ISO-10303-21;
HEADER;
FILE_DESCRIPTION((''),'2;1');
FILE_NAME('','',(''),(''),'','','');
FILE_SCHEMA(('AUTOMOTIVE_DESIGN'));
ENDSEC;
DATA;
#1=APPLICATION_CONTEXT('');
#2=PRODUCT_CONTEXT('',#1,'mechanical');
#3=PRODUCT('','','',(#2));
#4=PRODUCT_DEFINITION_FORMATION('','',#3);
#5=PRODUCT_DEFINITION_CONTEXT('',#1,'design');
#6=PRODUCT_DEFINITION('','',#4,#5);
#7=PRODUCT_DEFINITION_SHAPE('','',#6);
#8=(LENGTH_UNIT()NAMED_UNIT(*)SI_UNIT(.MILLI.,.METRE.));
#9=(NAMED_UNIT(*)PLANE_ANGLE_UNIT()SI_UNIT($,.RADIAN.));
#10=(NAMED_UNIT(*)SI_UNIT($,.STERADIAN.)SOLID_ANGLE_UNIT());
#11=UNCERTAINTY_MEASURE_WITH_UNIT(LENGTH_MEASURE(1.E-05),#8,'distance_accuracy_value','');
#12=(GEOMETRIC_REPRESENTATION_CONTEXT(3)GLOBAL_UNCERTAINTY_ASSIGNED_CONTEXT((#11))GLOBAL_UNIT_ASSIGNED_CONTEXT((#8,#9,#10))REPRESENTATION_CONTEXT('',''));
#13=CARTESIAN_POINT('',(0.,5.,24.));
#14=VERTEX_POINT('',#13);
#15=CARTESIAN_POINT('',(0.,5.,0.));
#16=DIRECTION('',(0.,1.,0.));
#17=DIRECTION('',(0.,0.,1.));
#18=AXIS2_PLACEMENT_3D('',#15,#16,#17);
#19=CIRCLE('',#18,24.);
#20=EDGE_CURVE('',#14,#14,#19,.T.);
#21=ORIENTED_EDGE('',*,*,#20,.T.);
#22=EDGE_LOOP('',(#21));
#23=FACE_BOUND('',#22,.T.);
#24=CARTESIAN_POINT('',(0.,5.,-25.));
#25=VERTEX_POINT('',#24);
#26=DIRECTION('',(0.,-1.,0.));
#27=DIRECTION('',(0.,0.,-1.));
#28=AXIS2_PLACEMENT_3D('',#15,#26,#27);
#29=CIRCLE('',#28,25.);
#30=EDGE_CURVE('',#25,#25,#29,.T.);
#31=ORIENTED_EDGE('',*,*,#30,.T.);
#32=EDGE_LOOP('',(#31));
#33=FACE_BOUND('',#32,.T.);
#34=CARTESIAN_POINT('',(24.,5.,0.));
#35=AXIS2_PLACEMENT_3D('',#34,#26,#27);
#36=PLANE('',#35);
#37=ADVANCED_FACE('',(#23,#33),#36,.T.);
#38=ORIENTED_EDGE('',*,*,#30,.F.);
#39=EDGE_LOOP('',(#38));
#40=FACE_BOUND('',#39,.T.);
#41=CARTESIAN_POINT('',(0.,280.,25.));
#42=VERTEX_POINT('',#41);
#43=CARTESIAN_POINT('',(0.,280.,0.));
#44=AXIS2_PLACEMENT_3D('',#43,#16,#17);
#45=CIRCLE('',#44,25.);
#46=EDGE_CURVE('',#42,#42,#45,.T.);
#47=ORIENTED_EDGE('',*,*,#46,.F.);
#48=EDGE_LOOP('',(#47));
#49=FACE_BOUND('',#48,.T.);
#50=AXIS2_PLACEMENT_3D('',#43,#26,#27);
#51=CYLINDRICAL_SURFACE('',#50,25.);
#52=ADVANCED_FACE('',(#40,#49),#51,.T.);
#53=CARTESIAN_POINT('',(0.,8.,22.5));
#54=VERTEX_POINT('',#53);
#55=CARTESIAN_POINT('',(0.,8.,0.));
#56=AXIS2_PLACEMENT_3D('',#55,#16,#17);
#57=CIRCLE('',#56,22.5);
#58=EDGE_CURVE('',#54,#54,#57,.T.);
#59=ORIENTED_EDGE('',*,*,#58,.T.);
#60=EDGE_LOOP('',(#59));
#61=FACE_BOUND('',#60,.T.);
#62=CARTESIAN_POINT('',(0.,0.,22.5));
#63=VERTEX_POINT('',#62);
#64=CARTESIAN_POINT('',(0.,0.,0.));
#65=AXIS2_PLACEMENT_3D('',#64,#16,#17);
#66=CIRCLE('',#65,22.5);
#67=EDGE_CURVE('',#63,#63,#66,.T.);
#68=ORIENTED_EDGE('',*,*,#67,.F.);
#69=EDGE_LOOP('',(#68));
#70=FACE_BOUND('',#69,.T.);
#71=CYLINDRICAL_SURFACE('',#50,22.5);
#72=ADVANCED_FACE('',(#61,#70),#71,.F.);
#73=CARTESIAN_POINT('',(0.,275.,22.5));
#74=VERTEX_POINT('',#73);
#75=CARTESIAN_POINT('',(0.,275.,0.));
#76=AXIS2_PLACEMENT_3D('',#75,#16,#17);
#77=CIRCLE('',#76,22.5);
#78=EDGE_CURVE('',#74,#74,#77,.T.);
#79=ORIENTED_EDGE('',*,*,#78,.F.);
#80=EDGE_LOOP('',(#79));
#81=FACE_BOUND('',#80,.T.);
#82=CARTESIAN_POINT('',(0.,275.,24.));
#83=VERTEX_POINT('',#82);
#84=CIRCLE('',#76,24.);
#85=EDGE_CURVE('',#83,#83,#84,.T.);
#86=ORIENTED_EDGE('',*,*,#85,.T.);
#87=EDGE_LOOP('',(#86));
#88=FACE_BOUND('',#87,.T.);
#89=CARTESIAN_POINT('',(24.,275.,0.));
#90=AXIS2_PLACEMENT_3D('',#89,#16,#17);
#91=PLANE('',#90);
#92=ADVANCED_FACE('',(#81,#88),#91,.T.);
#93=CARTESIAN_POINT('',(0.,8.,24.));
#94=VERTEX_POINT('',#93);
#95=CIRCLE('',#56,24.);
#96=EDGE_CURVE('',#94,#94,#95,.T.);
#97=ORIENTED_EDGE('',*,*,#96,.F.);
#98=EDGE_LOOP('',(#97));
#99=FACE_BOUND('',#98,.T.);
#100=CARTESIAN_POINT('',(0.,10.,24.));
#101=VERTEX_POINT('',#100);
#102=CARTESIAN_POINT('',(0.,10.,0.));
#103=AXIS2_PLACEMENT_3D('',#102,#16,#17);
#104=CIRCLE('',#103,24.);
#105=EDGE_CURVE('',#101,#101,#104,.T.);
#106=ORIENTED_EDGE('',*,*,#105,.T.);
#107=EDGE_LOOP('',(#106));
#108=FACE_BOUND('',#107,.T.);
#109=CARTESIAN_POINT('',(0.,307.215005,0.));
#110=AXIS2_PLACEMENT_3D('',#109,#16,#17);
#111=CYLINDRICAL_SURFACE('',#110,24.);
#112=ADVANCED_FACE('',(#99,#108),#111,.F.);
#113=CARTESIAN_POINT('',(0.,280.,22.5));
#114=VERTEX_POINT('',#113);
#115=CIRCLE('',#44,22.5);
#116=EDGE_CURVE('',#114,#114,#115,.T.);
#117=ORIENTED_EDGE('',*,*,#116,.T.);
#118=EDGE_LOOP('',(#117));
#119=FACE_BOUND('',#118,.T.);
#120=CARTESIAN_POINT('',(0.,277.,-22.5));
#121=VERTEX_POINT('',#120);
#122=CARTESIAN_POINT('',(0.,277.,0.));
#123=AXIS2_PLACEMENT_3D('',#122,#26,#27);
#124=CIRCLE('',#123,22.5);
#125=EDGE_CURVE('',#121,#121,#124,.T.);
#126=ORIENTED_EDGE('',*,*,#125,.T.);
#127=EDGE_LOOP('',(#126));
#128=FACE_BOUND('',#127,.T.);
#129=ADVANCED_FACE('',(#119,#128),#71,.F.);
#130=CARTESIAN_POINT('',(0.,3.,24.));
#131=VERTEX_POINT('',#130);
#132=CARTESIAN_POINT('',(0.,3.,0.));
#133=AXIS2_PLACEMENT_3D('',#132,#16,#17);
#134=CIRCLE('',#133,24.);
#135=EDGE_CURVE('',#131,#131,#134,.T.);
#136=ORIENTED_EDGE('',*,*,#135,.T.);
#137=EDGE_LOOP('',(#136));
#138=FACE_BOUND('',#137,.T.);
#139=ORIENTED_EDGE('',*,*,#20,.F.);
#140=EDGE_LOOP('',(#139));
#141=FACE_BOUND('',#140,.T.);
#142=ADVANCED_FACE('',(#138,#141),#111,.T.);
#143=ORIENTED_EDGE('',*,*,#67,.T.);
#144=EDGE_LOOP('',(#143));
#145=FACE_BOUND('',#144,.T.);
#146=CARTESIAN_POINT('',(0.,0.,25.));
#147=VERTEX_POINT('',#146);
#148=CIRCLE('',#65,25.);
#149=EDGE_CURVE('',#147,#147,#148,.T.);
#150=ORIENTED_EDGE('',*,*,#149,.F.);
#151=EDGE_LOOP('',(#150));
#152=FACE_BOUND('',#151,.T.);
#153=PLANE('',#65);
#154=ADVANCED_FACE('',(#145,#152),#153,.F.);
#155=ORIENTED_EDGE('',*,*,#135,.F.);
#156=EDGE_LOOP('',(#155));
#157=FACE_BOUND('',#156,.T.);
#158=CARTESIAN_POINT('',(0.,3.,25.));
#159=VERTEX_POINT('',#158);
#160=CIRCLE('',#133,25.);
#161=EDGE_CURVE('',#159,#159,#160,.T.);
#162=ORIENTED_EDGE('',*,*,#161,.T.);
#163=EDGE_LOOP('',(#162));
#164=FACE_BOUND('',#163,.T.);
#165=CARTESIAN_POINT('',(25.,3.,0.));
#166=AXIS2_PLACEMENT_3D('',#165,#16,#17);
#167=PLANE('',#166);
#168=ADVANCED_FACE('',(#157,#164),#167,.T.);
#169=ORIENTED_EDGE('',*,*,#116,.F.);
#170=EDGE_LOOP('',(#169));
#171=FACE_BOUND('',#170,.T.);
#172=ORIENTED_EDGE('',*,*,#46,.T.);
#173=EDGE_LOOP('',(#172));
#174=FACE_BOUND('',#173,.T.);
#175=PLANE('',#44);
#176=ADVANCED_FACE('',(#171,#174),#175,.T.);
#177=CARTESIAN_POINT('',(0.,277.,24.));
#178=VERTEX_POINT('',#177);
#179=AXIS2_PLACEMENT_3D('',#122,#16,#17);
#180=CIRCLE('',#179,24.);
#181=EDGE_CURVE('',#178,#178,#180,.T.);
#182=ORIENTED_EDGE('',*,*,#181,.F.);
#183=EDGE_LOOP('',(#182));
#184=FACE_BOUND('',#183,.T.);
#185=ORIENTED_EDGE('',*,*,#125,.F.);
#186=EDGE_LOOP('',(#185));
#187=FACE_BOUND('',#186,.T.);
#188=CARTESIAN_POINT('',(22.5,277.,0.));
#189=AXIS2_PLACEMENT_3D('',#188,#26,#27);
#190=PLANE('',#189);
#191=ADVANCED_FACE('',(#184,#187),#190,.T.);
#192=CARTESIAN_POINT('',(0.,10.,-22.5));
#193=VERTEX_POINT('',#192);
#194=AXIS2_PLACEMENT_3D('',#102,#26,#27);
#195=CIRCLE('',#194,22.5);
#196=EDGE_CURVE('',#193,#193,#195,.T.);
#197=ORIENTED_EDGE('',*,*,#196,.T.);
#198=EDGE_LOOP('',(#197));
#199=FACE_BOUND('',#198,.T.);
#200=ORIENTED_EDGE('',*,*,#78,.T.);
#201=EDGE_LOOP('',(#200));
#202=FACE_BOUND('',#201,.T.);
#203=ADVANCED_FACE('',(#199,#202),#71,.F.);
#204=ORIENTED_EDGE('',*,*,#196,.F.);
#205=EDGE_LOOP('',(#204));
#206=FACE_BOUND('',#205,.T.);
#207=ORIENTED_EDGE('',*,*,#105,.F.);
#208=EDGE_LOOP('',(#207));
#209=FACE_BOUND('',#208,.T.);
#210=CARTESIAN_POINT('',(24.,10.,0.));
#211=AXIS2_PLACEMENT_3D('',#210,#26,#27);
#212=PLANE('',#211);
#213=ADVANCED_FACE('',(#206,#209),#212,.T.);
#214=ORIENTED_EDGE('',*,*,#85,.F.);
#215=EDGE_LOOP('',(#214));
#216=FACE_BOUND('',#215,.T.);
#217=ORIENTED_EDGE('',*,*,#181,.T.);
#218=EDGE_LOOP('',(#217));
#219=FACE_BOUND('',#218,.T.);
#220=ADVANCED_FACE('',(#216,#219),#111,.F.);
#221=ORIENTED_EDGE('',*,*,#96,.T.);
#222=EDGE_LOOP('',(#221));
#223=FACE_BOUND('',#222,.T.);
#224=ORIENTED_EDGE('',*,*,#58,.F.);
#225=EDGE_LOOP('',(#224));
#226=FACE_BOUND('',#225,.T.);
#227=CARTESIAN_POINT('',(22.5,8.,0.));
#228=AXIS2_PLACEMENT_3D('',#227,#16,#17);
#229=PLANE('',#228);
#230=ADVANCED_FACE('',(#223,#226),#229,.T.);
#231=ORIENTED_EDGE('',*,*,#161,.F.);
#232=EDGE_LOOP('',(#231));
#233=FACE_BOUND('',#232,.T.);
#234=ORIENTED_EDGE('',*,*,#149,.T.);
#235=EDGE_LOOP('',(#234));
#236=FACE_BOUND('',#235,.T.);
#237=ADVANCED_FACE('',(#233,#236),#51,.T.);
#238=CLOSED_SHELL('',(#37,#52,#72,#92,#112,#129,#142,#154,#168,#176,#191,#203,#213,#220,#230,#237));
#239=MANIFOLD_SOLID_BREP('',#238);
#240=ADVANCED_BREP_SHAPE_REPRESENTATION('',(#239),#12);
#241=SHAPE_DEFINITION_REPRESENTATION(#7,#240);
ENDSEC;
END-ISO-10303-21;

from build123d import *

# Parameters (mm, degrees)
SKETCH1_R           = 25
SKETCH1_R_2         = 22.5
BOSS_EXTRUDE1_DEPTH = 280


with BuildPart() as part:
    # Sketch1 → Boss-Extrude1 (new body)
    with BuildSketch(Plane(origin=(0, 0, 0), x_dir=(1, 0, 0), z_dir=(0, 1, 0))):
        Circle(SKETCH1_R)
        Circle(SKETCH1_R_2, mode=Mode.SUBTRACT)
    extrude(amount=BOSS_EXTRUDE1_DEPTH)

    # Sketch2 → Cut-Revolve1 (revolve, cut)
    with BuildSketch(Plane.XY):
        Polygon((24, 275), (22.5, 275), (22.157069883, 275), (22.157069883, 277), (22.5, 277), (24, 277), align=None)
        Polygon((22.5, 8), (24, 8), (24, 10), (21.749142676, 10), (21.749142676, 8), align=None)
        Polygon((25, 3), (24, 3), (24, 5), (25.376612155, 5), (25.376612155, 3), align=None)
    revolve(axis=Axis((0, 307.21500467, 0), (0, -1, 0)), mode=Mode.SUBTRACT)


solid = part.part
